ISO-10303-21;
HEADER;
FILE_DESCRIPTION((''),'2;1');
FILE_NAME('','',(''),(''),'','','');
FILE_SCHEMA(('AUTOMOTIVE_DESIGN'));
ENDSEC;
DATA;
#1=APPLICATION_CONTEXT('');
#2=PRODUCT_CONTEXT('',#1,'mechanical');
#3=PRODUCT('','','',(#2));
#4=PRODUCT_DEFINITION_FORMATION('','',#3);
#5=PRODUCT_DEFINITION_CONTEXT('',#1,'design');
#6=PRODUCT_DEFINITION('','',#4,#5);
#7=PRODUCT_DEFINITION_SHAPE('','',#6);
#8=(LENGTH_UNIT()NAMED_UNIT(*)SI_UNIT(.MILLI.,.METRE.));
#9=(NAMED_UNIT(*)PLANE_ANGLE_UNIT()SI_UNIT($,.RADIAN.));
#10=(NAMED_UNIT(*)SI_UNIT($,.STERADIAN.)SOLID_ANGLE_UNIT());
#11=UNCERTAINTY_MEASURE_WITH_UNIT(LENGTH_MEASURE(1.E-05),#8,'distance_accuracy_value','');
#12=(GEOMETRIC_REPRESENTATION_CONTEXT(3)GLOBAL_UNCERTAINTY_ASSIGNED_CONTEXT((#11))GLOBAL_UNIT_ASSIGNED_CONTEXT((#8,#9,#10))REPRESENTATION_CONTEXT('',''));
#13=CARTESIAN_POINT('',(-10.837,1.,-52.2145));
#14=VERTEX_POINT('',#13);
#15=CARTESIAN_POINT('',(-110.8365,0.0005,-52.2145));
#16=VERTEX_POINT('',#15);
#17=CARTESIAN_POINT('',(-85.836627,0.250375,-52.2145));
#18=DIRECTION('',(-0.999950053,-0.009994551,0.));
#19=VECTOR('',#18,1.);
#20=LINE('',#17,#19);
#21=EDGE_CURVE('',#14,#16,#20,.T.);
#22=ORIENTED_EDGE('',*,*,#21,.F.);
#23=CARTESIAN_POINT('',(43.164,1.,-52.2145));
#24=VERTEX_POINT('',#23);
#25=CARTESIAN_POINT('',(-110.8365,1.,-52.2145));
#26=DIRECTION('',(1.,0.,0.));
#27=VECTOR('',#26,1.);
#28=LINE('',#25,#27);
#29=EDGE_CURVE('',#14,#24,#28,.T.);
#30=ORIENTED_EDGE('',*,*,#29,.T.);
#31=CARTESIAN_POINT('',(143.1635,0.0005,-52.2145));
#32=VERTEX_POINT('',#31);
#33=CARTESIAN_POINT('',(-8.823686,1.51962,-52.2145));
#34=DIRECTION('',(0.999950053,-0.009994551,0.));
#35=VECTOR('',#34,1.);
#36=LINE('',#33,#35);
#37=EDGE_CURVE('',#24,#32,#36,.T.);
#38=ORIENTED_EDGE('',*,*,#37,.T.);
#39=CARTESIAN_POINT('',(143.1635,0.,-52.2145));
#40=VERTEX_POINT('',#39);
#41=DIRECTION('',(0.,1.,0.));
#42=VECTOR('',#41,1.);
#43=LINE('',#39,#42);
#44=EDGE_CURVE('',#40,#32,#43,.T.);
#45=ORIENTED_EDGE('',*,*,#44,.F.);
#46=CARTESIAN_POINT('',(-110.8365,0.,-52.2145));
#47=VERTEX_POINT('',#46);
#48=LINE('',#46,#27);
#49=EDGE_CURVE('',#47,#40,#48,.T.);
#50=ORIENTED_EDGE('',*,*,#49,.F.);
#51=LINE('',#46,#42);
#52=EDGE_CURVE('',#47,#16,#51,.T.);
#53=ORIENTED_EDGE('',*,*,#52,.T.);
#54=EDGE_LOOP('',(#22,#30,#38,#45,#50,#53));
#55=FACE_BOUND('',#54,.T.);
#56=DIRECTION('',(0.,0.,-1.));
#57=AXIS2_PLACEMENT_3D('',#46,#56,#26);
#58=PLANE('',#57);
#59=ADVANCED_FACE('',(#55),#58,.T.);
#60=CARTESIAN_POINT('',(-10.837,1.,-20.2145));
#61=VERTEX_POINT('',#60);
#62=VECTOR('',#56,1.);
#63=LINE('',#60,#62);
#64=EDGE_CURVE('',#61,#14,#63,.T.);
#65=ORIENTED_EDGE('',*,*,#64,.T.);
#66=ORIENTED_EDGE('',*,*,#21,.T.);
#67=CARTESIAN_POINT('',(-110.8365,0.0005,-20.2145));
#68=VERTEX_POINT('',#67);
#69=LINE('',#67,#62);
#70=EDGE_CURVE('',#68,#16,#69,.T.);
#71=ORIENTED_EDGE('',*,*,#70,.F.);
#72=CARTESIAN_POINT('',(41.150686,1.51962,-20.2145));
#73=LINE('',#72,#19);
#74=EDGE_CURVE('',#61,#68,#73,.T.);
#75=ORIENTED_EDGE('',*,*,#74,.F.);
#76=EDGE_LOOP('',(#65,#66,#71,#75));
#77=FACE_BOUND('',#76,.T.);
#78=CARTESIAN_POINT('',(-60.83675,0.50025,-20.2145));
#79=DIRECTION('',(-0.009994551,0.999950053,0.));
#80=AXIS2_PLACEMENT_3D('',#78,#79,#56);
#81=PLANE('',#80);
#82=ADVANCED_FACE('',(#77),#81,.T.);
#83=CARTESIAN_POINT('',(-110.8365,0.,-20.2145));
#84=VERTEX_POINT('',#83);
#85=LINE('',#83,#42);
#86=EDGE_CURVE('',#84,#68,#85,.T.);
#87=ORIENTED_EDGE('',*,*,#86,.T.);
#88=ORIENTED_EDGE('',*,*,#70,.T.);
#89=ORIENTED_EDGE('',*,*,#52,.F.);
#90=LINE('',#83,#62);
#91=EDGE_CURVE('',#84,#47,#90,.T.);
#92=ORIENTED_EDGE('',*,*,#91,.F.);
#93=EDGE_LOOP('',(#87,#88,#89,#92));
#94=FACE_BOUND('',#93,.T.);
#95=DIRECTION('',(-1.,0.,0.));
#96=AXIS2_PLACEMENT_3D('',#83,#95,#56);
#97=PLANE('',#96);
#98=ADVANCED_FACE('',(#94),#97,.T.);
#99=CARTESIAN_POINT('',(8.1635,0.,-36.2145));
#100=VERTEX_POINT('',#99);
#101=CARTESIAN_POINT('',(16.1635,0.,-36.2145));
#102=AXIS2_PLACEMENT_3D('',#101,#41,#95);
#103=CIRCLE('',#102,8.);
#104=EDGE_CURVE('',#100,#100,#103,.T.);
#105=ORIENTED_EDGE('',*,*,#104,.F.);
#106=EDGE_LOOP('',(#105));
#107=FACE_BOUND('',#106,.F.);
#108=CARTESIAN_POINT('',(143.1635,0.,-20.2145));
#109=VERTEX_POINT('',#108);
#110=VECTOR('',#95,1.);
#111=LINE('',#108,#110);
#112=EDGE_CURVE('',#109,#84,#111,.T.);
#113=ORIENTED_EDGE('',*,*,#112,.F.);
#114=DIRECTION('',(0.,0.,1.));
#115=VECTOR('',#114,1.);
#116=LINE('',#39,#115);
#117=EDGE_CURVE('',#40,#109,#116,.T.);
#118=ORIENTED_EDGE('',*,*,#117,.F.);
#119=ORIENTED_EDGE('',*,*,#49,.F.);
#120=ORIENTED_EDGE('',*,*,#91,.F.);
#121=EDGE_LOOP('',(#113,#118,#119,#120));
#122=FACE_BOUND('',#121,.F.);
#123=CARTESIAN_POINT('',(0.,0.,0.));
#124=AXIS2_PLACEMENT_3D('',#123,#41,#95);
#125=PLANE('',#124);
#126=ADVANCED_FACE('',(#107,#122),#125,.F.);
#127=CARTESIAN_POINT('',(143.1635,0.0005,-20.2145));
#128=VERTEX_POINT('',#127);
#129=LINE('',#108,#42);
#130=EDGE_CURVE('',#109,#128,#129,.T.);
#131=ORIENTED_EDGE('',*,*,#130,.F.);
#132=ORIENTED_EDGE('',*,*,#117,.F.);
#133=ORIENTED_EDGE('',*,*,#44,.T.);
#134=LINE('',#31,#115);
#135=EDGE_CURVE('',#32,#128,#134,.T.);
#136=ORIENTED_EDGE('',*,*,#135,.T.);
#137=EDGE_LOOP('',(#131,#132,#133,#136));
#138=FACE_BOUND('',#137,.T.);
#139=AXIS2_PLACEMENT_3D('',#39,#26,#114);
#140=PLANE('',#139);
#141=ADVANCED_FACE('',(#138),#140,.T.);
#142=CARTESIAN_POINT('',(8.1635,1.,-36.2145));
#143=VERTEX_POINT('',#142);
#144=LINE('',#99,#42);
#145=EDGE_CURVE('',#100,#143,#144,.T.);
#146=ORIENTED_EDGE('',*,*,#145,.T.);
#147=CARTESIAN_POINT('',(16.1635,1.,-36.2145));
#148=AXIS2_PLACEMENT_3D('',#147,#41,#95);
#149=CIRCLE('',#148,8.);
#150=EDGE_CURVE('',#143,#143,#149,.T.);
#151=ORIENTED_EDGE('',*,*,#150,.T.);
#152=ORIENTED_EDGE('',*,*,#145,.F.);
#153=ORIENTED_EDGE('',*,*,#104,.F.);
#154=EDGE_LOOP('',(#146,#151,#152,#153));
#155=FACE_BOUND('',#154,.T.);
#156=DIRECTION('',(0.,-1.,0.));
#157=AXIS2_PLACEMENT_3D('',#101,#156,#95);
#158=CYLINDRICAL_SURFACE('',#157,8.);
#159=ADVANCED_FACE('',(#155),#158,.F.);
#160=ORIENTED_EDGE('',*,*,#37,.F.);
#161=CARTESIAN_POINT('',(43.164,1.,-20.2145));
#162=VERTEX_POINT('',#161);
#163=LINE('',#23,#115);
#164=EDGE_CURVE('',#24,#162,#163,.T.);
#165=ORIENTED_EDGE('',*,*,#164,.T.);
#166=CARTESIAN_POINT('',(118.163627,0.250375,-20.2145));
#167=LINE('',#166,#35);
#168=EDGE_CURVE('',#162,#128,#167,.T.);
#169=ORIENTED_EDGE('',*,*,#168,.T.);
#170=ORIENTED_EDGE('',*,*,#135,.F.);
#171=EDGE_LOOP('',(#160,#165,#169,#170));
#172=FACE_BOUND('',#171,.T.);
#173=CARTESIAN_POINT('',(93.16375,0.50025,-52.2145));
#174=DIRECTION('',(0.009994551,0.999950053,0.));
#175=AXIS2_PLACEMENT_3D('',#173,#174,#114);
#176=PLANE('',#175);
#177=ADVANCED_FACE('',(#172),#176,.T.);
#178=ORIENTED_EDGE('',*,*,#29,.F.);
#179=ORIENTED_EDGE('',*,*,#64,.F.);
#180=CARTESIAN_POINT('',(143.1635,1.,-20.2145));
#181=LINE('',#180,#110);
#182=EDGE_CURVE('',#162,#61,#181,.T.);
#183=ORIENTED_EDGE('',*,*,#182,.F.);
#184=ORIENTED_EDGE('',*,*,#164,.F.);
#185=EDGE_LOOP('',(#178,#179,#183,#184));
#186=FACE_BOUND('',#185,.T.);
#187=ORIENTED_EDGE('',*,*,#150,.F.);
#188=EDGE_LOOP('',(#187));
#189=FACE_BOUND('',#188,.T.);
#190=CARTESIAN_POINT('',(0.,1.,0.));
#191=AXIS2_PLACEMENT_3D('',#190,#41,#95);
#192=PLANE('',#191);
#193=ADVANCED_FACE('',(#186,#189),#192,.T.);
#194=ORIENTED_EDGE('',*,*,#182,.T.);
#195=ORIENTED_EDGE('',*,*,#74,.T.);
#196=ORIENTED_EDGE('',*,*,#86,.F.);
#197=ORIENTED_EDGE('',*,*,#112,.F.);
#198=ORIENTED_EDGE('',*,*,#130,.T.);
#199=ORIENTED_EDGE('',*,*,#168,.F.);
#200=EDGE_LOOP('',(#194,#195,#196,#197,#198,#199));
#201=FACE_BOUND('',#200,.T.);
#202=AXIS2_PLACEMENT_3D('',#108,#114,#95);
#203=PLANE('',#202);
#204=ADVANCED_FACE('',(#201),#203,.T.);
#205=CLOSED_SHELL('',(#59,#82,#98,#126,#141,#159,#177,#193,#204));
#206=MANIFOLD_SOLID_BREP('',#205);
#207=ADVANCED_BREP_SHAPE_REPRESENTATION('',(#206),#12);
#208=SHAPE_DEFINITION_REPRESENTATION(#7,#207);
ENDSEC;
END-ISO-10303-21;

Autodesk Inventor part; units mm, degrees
ref_plane "YZ Plane" through (0, 0, 0) normal (1, 0, 0) x (0, 1, 0)
ref_plane "XZ Plane" through (0, 0, 0) normal (0, 1, 0) x (-1, 0, 0)
ref_plane "XY Plane" through (0, 0, 0) normal (0, 0, 1) x (1, 0, 0)
sketch "Sketch1" plane through (0, 0, 0) normal (0, 1, 0) x (-1, 0, 0)
  line L0 (-143.1635, -20.2145) -> (110.8365, -20.2145)
  line L1 (110.8365, -20.2145) -> (110.8365, -52.2145)
  line L2 (110.8365, -52.2145) -> (-143.1635, -52.2145)
  line L3 (-143.1635, -52.2145) -> (-143.1635, -20.2145)
  circle A0 centre (-16.1635, -36.2145) radius 8
  point P0 (0, 0)
  dimension "d0" = 254
  dimension "d1" = 32
  dimension "d10" = 16
  dimension "d11" = 127
  dimension "d12" = 16
extrude "Extrusion1" add sketch "Sketch1" along normal blind 1
chamfer "Chamfer1" distance 100 distance2 1 1 edges at (143.1635, 1, -36.2145) measured on face at (103.4969, 1, -36.2145)
chamfer "Chamfer2" distance 100 distance2 1 1 edges at (-110.8365, 1, -36.2145) measured on face at (-71.1698, 1, -36.2145)
properties part number "lama"
